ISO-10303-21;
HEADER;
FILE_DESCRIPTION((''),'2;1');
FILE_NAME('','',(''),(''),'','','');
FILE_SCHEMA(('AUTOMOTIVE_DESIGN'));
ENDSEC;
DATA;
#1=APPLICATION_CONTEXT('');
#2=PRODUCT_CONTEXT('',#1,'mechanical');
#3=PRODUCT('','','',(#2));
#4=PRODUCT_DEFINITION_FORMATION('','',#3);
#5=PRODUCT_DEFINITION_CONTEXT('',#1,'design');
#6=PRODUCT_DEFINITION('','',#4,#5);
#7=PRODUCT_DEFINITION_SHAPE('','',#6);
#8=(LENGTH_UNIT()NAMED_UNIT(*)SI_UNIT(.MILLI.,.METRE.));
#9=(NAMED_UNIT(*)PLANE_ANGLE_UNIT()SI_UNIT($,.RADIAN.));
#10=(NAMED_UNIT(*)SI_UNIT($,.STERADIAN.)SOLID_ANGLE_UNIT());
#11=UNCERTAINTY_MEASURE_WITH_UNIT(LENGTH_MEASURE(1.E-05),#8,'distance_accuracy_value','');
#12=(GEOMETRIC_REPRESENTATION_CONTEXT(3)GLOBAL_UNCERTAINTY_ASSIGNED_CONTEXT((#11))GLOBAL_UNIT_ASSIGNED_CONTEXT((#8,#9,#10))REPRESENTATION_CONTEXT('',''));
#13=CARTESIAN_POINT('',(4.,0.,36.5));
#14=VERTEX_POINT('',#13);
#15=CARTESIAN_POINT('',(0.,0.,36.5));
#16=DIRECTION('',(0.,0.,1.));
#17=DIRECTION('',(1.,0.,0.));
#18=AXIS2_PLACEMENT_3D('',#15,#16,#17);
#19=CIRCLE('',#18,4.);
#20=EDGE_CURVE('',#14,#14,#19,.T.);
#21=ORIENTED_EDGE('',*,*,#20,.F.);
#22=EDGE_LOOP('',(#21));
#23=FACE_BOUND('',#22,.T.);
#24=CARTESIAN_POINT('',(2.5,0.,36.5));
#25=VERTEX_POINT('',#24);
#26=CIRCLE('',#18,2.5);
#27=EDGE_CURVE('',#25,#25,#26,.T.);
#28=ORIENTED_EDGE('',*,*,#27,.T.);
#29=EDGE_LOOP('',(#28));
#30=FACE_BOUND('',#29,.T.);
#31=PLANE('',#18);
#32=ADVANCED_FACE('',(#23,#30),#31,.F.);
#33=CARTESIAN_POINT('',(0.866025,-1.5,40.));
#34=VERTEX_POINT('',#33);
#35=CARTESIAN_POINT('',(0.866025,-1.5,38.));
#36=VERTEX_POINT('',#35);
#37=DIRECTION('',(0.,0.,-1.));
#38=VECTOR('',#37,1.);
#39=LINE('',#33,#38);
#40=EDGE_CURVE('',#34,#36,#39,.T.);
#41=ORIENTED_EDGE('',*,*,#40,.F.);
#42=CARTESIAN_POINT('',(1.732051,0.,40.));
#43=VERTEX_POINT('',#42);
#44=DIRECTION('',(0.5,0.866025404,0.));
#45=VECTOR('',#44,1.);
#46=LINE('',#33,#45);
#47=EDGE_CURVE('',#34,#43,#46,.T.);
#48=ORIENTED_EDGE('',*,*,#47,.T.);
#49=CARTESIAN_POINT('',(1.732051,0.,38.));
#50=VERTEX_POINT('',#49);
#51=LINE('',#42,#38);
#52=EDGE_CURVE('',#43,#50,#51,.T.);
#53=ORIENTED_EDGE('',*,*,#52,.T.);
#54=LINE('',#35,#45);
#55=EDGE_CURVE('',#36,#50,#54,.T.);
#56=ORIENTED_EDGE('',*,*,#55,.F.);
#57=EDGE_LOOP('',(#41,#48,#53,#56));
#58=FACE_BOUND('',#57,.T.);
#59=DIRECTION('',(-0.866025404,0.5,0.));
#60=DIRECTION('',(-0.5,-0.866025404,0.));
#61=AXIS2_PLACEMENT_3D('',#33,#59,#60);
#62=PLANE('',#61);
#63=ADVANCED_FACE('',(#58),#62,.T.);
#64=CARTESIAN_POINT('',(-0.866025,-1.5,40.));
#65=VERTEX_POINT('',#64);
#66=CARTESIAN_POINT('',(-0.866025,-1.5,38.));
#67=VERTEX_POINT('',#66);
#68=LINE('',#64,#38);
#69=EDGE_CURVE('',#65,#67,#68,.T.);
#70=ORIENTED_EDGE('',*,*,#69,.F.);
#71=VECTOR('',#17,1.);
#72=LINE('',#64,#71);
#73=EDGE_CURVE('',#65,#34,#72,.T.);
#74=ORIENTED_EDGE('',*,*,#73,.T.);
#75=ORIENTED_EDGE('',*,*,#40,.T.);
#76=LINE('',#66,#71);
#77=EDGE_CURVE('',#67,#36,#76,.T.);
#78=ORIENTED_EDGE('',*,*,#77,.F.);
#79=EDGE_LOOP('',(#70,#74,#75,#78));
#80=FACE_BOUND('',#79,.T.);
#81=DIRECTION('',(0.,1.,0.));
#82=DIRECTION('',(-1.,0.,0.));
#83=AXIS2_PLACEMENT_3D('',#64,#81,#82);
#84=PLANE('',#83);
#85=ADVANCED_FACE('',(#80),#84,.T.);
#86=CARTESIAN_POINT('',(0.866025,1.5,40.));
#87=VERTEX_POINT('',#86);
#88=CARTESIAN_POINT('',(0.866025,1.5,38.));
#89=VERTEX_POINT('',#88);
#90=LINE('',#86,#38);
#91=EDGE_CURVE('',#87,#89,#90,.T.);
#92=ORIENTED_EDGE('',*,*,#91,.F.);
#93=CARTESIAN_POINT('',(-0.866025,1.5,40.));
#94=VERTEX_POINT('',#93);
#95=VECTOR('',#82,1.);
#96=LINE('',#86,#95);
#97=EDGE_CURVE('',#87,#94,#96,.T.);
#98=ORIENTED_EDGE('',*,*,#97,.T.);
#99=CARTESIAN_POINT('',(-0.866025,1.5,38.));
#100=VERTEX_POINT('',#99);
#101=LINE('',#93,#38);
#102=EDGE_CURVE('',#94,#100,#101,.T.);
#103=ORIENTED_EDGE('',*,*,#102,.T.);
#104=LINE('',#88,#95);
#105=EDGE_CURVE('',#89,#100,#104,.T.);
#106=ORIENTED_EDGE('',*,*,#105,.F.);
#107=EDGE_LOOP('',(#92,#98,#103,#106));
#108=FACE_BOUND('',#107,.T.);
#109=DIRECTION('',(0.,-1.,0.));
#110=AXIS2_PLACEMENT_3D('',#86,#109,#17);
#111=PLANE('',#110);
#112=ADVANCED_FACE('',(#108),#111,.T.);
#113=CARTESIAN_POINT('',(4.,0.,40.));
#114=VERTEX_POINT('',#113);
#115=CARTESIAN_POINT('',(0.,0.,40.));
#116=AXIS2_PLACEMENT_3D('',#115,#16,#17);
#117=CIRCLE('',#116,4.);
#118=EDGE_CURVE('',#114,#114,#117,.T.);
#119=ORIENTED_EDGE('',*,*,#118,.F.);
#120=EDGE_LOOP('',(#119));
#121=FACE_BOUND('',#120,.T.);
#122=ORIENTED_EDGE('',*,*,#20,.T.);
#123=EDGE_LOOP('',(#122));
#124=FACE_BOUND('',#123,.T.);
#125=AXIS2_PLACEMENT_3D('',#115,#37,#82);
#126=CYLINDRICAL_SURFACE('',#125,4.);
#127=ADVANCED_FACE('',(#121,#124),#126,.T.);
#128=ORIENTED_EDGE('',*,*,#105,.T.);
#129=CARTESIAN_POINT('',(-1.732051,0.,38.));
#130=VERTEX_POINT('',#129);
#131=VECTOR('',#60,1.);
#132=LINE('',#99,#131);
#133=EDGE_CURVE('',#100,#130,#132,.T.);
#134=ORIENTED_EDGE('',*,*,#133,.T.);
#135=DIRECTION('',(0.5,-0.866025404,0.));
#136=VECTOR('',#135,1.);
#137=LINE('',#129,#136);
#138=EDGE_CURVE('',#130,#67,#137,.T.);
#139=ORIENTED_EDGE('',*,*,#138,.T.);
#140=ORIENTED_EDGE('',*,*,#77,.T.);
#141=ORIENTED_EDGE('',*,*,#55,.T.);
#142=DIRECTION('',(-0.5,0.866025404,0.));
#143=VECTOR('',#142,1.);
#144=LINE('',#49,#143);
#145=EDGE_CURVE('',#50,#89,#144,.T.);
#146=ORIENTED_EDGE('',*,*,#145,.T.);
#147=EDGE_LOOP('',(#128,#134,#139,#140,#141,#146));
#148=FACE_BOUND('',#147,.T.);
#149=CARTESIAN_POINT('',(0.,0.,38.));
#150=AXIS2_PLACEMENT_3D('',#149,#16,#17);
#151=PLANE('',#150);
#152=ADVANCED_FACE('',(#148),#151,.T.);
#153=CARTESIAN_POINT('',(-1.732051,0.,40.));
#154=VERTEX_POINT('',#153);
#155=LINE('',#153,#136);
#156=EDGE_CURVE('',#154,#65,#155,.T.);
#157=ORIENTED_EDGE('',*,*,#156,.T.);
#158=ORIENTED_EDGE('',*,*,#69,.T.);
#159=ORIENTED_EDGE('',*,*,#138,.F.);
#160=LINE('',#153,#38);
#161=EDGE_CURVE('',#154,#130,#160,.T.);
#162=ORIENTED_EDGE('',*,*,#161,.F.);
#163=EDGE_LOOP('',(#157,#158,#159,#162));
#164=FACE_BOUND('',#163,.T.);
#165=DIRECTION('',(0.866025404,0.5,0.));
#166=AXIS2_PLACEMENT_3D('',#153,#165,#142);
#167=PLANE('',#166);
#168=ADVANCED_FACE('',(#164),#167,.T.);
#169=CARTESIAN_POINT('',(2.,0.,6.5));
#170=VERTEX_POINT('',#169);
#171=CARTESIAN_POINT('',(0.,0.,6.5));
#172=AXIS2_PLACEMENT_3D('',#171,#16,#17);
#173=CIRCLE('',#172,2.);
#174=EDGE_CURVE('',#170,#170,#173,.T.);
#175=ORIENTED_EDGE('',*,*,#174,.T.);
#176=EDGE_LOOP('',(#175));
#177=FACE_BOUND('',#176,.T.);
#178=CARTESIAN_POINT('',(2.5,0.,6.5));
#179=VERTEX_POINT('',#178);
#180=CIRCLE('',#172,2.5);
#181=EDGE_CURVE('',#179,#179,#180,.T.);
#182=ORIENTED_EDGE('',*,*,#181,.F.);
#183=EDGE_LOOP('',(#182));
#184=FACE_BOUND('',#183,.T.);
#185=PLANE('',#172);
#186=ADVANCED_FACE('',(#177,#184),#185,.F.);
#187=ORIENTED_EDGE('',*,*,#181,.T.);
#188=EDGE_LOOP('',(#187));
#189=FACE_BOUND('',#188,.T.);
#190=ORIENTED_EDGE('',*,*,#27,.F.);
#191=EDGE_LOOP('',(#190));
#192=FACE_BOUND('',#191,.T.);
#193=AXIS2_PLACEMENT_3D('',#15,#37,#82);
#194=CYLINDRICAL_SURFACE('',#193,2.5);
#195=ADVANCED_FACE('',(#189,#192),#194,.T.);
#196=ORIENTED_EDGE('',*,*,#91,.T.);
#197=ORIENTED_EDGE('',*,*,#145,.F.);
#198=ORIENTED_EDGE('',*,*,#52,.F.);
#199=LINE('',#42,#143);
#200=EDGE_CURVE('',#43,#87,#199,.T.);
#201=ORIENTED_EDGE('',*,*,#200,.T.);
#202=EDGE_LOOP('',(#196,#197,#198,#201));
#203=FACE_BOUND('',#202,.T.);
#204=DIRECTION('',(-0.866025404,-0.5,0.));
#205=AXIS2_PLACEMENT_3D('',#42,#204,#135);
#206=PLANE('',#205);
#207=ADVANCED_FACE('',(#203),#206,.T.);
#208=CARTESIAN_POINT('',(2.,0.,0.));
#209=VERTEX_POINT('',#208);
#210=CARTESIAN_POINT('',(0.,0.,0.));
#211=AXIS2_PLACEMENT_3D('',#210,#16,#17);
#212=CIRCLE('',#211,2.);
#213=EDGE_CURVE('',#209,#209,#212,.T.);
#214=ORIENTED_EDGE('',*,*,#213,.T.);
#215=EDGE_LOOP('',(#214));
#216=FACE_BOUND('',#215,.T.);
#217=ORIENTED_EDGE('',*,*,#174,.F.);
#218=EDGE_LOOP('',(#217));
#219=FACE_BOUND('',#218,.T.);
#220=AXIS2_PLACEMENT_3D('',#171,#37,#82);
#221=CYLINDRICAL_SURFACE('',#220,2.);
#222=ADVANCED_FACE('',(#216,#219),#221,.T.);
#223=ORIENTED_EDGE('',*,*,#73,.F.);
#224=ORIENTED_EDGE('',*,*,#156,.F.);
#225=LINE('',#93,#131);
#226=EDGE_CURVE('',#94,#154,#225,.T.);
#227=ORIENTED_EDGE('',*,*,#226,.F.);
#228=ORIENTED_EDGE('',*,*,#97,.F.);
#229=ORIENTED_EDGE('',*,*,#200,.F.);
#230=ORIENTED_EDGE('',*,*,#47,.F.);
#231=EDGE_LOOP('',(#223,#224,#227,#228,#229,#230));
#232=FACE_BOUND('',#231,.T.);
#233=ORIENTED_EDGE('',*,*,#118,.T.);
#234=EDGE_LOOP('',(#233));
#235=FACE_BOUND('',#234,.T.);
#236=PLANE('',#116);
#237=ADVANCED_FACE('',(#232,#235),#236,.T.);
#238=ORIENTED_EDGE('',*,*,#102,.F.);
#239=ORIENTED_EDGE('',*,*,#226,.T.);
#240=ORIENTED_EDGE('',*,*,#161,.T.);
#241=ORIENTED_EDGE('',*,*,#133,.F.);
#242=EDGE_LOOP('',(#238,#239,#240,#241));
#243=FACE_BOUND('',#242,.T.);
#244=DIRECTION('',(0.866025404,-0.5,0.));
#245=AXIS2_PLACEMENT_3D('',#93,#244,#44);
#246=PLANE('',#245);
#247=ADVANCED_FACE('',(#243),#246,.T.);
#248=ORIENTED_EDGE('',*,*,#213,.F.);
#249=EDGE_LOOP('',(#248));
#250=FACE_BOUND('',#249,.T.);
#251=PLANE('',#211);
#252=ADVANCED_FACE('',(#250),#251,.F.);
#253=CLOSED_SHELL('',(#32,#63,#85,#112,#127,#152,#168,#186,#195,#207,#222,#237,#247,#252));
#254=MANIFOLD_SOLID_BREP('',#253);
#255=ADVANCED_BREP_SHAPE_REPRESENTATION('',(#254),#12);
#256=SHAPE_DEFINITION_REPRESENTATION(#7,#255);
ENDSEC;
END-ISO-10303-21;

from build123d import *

# Parameters (mm, degrees)
SKETCH1_R      = 2
THREAD_DEPTH   = 6.5
SKETCH2_R      = 2.5
SHOULDER_DEPTH = 30
SKETCH3_R      = 4
HEAD_DEPTH     = 3.5
SOCKET_DEPTH   = 2


with BuildPart() as part:
    # Sketch1 → Thread (new body)
    with BuildSketch(Plane.XY):
        Circle(SKETCH1_R)
    extrude(amount=THREAD_DEPTH)

    # Sketch2 → Shoulder (add)
    with BuildSketch(Plane.XY.offset(6.5)):
        Circle(SKETCH2_R)
    extrude(amount=SHOULDER_DEPTH)

    # Sketch3 → Head (add)
    with BuildSketch(Plane.XY.offset(36.5)):
        Circle(SKETCH3_R)
    extrude(amount=HEAD_DEPTH)

    # Sketch4 → Socket (cut)
    with BuildSketch(Plane.XY.offset(38)):
        Polygon((1.732050808, 0), (0.866025404, 1.5), (-0.866025404, 1.5), (-1.732050808, 0), (-0.866025404, -1.5), (0.866025404, -1.5), align=None)
    extrude(amount=SOCKET_DEPTH, mode=Mode.SUBTRACT)


solid = part.part
